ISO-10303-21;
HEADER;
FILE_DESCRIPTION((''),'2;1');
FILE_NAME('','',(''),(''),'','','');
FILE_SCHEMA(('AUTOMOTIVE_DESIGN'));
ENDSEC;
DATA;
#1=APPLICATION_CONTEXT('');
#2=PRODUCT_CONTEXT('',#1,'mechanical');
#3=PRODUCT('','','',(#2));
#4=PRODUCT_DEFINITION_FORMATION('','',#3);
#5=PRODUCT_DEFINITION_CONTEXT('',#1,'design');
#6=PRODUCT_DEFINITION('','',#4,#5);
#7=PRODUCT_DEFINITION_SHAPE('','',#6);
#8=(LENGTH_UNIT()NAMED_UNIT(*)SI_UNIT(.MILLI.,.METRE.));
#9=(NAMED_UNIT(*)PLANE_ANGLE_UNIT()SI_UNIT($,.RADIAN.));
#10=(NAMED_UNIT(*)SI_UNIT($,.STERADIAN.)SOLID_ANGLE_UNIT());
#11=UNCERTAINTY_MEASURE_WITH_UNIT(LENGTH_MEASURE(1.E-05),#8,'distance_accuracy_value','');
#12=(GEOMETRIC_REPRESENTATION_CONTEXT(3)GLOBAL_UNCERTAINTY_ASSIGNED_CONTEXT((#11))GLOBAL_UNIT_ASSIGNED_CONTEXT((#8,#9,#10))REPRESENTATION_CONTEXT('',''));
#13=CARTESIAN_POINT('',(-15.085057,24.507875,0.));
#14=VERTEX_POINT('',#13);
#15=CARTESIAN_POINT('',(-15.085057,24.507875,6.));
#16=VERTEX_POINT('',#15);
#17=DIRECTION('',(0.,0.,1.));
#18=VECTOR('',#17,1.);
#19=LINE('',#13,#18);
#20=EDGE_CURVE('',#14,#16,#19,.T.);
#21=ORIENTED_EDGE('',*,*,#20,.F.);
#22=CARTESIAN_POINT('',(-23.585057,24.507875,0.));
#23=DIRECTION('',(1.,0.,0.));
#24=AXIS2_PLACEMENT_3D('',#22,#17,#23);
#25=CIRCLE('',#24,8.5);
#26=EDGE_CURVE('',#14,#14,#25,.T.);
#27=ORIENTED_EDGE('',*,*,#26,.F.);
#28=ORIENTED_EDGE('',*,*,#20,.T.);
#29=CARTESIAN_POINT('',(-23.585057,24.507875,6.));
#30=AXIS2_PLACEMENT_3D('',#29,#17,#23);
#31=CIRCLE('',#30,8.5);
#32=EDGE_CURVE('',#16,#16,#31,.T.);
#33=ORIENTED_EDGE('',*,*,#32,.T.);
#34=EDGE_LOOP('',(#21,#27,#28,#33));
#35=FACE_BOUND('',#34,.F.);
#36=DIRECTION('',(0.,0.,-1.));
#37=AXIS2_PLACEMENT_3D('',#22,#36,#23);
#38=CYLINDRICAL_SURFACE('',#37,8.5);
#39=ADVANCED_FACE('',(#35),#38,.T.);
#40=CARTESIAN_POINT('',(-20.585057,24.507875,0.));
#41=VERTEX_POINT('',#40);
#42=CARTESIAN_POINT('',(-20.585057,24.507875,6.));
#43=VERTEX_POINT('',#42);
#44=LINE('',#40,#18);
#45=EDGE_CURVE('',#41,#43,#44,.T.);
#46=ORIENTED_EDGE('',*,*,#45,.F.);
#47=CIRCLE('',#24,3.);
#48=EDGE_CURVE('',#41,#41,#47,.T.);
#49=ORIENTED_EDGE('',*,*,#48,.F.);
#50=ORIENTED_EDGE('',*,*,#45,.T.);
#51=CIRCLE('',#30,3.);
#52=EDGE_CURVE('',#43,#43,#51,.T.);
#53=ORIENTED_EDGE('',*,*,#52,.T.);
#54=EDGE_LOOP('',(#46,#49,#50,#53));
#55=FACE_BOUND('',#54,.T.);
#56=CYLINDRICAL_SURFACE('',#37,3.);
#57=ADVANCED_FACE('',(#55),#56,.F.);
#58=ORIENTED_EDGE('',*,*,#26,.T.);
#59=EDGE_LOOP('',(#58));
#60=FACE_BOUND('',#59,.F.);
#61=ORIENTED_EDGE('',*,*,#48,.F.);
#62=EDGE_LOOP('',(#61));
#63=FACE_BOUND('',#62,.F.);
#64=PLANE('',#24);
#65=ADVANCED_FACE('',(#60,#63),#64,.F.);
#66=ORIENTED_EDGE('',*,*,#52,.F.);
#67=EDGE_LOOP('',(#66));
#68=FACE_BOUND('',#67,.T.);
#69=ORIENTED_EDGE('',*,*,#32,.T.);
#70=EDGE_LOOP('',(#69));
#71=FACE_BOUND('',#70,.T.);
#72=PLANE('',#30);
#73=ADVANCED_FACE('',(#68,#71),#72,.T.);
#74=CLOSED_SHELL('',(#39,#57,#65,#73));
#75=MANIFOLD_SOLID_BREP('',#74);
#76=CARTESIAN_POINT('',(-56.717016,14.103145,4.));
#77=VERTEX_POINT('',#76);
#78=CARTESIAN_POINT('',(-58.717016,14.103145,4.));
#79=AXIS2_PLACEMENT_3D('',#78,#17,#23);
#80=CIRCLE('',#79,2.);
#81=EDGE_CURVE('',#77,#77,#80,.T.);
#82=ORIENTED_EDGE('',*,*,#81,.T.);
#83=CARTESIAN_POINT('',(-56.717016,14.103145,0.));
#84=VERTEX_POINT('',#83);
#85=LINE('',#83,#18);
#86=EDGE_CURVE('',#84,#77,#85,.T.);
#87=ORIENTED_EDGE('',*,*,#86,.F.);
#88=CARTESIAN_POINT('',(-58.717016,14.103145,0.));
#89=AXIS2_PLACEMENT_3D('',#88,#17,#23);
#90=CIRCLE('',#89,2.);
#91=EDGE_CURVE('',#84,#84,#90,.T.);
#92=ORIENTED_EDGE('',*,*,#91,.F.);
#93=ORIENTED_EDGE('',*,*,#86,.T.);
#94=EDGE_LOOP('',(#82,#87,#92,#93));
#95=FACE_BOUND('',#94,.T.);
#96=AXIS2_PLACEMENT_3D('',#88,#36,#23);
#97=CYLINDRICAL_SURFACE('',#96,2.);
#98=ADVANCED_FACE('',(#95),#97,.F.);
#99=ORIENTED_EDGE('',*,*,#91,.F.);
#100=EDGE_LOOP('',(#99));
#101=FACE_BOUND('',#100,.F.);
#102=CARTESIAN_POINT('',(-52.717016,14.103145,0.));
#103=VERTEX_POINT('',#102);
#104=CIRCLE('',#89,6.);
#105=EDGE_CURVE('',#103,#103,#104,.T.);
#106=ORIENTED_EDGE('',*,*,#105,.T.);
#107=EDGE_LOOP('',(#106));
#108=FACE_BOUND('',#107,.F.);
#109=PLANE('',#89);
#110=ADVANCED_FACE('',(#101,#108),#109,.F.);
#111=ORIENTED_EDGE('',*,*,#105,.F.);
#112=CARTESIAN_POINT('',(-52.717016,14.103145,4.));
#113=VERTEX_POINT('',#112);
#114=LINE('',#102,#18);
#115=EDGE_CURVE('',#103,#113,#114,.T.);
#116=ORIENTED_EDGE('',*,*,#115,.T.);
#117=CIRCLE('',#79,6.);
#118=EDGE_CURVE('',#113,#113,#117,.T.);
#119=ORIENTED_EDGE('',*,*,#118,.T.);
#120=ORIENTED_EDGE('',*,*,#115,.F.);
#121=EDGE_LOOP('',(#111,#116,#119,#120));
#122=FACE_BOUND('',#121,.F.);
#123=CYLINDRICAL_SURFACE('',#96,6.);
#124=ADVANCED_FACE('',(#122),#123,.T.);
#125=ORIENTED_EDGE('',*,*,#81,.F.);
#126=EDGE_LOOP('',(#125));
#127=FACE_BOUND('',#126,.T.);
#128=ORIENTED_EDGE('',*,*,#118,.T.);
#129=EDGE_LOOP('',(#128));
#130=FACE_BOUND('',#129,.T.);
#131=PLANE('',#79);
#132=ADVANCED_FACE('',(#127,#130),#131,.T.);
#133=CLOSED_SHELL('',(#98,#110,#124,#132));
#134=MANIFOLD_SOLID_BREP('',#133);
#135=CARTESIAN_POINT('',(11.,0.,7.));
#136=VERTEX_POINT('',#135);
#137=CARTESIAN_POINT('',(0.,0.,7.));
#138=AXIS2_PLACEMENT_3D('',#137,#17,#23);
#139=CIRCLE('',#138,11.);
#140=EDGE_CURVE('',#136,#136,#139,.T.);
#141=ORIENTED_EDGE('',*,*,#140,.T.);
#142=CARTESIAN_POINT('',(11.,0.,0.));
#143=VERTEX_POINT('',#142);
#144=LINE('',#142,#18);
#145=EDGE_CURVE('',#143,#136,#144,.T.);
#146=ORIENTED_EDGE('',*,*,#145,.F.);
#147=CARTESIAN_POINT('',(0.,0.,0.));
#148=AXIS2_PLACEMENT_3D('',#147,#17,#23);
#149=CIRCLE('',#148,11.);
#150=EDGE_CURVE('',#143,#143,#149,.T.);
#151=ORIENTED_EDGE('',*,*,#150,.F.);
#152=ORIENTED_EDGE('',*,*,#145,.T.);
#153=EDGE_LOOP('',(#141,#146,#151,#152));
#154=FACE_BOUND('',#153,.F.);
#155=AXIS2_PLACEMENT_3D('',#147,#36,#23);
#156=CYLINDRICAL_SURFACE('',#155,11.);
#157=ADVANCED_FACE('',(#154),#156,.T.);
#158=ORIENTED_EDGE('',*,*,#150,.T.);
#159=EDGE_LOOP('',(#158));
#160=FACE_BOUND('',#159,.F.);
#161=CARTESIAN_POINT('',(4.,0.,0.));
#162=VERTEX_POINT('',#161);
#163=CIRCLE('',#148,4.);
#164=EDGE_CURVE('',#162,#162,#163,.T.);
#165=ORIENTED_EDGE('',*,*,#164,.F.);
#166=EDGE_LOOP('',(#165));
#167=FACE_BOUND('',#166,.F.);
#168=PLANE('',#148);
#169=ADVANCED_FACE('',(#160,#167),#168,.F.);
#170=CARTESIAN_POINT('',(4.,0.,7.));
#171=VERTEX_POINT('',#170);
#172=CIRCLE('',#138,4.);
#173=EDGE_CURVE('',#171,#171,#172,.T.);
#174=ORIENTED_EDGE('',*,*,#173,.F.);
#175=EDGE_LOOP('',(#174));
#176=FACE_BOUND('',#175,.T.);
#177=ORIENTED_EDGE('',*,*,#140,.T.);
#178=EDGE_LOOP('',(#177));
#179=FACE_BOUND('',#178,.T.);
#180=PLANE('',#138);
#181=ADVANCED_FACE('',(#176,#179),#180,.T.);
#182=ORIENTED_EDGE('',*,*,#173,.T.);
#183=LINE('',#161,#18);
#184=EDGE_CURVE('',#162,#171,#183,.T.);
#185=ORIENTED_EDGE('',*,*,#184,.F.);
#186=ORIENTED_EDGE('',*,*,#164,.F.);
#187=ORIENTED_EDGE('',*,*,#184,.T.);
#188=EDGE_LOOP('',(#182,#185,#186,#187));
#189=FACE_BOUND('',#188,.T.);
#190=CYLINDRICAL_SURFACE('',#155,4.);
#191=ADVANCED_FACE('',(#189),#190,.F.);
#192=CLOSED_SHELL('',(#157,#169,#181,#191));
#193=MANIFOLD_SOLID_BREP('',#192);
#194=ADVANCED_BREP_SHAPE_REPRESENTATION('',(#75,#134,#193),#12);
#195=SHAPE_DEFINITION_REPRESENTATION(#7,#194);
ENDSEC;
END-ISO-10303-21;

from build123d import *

# Parameters (mm, degrees)
F0_R     = 11
F0_R_2   = 4
F1_DEPTH = 7
F0_R_3   = 6
F0_R_4   = 2
F2_DEPTH = 4
F0_R_5   = 8.5
F0_R_6   = 3
F3_DEPTH = 6


with BuildPart() as f1:
    # F0 (on Top) → F1 (new body)
    with BuildSketch(Plane.XY):
        Circle(F0_R)
        Circle(F0_R_2, mode=Mode.SUBTRACT)
    extrude(amount=F1_DEPTH)


with BuildPart() as f2:
    # F0 (on Top) → F2 (new body)
    with BuildSketch(Plane.XY):
        with Locations((-58.717016, 14.103145)):
            Circle(F0_R_3)
        with Locations((-58.717016, 14.103145)):
            Circle(F0_R_4, mode=Mode.SUBTRACT)
    extrude(amount=F2_DEPTH)


with BuildPart() as f3:
    # F0 (on Top) → F3 (new body)
    with BuildSketch(Plane.XY):
        with Locations((-23.585057, 24.507875)):
            Circle(F0_R_5)
        with Locations((-23.585057, 24.507875)):
            Circle(F0_R_6, mode=Mode.SUBTRACT)
    extrude(amount=F3_DEPTH)


solid = Compound([f1.part, f2.part, f3.part])
